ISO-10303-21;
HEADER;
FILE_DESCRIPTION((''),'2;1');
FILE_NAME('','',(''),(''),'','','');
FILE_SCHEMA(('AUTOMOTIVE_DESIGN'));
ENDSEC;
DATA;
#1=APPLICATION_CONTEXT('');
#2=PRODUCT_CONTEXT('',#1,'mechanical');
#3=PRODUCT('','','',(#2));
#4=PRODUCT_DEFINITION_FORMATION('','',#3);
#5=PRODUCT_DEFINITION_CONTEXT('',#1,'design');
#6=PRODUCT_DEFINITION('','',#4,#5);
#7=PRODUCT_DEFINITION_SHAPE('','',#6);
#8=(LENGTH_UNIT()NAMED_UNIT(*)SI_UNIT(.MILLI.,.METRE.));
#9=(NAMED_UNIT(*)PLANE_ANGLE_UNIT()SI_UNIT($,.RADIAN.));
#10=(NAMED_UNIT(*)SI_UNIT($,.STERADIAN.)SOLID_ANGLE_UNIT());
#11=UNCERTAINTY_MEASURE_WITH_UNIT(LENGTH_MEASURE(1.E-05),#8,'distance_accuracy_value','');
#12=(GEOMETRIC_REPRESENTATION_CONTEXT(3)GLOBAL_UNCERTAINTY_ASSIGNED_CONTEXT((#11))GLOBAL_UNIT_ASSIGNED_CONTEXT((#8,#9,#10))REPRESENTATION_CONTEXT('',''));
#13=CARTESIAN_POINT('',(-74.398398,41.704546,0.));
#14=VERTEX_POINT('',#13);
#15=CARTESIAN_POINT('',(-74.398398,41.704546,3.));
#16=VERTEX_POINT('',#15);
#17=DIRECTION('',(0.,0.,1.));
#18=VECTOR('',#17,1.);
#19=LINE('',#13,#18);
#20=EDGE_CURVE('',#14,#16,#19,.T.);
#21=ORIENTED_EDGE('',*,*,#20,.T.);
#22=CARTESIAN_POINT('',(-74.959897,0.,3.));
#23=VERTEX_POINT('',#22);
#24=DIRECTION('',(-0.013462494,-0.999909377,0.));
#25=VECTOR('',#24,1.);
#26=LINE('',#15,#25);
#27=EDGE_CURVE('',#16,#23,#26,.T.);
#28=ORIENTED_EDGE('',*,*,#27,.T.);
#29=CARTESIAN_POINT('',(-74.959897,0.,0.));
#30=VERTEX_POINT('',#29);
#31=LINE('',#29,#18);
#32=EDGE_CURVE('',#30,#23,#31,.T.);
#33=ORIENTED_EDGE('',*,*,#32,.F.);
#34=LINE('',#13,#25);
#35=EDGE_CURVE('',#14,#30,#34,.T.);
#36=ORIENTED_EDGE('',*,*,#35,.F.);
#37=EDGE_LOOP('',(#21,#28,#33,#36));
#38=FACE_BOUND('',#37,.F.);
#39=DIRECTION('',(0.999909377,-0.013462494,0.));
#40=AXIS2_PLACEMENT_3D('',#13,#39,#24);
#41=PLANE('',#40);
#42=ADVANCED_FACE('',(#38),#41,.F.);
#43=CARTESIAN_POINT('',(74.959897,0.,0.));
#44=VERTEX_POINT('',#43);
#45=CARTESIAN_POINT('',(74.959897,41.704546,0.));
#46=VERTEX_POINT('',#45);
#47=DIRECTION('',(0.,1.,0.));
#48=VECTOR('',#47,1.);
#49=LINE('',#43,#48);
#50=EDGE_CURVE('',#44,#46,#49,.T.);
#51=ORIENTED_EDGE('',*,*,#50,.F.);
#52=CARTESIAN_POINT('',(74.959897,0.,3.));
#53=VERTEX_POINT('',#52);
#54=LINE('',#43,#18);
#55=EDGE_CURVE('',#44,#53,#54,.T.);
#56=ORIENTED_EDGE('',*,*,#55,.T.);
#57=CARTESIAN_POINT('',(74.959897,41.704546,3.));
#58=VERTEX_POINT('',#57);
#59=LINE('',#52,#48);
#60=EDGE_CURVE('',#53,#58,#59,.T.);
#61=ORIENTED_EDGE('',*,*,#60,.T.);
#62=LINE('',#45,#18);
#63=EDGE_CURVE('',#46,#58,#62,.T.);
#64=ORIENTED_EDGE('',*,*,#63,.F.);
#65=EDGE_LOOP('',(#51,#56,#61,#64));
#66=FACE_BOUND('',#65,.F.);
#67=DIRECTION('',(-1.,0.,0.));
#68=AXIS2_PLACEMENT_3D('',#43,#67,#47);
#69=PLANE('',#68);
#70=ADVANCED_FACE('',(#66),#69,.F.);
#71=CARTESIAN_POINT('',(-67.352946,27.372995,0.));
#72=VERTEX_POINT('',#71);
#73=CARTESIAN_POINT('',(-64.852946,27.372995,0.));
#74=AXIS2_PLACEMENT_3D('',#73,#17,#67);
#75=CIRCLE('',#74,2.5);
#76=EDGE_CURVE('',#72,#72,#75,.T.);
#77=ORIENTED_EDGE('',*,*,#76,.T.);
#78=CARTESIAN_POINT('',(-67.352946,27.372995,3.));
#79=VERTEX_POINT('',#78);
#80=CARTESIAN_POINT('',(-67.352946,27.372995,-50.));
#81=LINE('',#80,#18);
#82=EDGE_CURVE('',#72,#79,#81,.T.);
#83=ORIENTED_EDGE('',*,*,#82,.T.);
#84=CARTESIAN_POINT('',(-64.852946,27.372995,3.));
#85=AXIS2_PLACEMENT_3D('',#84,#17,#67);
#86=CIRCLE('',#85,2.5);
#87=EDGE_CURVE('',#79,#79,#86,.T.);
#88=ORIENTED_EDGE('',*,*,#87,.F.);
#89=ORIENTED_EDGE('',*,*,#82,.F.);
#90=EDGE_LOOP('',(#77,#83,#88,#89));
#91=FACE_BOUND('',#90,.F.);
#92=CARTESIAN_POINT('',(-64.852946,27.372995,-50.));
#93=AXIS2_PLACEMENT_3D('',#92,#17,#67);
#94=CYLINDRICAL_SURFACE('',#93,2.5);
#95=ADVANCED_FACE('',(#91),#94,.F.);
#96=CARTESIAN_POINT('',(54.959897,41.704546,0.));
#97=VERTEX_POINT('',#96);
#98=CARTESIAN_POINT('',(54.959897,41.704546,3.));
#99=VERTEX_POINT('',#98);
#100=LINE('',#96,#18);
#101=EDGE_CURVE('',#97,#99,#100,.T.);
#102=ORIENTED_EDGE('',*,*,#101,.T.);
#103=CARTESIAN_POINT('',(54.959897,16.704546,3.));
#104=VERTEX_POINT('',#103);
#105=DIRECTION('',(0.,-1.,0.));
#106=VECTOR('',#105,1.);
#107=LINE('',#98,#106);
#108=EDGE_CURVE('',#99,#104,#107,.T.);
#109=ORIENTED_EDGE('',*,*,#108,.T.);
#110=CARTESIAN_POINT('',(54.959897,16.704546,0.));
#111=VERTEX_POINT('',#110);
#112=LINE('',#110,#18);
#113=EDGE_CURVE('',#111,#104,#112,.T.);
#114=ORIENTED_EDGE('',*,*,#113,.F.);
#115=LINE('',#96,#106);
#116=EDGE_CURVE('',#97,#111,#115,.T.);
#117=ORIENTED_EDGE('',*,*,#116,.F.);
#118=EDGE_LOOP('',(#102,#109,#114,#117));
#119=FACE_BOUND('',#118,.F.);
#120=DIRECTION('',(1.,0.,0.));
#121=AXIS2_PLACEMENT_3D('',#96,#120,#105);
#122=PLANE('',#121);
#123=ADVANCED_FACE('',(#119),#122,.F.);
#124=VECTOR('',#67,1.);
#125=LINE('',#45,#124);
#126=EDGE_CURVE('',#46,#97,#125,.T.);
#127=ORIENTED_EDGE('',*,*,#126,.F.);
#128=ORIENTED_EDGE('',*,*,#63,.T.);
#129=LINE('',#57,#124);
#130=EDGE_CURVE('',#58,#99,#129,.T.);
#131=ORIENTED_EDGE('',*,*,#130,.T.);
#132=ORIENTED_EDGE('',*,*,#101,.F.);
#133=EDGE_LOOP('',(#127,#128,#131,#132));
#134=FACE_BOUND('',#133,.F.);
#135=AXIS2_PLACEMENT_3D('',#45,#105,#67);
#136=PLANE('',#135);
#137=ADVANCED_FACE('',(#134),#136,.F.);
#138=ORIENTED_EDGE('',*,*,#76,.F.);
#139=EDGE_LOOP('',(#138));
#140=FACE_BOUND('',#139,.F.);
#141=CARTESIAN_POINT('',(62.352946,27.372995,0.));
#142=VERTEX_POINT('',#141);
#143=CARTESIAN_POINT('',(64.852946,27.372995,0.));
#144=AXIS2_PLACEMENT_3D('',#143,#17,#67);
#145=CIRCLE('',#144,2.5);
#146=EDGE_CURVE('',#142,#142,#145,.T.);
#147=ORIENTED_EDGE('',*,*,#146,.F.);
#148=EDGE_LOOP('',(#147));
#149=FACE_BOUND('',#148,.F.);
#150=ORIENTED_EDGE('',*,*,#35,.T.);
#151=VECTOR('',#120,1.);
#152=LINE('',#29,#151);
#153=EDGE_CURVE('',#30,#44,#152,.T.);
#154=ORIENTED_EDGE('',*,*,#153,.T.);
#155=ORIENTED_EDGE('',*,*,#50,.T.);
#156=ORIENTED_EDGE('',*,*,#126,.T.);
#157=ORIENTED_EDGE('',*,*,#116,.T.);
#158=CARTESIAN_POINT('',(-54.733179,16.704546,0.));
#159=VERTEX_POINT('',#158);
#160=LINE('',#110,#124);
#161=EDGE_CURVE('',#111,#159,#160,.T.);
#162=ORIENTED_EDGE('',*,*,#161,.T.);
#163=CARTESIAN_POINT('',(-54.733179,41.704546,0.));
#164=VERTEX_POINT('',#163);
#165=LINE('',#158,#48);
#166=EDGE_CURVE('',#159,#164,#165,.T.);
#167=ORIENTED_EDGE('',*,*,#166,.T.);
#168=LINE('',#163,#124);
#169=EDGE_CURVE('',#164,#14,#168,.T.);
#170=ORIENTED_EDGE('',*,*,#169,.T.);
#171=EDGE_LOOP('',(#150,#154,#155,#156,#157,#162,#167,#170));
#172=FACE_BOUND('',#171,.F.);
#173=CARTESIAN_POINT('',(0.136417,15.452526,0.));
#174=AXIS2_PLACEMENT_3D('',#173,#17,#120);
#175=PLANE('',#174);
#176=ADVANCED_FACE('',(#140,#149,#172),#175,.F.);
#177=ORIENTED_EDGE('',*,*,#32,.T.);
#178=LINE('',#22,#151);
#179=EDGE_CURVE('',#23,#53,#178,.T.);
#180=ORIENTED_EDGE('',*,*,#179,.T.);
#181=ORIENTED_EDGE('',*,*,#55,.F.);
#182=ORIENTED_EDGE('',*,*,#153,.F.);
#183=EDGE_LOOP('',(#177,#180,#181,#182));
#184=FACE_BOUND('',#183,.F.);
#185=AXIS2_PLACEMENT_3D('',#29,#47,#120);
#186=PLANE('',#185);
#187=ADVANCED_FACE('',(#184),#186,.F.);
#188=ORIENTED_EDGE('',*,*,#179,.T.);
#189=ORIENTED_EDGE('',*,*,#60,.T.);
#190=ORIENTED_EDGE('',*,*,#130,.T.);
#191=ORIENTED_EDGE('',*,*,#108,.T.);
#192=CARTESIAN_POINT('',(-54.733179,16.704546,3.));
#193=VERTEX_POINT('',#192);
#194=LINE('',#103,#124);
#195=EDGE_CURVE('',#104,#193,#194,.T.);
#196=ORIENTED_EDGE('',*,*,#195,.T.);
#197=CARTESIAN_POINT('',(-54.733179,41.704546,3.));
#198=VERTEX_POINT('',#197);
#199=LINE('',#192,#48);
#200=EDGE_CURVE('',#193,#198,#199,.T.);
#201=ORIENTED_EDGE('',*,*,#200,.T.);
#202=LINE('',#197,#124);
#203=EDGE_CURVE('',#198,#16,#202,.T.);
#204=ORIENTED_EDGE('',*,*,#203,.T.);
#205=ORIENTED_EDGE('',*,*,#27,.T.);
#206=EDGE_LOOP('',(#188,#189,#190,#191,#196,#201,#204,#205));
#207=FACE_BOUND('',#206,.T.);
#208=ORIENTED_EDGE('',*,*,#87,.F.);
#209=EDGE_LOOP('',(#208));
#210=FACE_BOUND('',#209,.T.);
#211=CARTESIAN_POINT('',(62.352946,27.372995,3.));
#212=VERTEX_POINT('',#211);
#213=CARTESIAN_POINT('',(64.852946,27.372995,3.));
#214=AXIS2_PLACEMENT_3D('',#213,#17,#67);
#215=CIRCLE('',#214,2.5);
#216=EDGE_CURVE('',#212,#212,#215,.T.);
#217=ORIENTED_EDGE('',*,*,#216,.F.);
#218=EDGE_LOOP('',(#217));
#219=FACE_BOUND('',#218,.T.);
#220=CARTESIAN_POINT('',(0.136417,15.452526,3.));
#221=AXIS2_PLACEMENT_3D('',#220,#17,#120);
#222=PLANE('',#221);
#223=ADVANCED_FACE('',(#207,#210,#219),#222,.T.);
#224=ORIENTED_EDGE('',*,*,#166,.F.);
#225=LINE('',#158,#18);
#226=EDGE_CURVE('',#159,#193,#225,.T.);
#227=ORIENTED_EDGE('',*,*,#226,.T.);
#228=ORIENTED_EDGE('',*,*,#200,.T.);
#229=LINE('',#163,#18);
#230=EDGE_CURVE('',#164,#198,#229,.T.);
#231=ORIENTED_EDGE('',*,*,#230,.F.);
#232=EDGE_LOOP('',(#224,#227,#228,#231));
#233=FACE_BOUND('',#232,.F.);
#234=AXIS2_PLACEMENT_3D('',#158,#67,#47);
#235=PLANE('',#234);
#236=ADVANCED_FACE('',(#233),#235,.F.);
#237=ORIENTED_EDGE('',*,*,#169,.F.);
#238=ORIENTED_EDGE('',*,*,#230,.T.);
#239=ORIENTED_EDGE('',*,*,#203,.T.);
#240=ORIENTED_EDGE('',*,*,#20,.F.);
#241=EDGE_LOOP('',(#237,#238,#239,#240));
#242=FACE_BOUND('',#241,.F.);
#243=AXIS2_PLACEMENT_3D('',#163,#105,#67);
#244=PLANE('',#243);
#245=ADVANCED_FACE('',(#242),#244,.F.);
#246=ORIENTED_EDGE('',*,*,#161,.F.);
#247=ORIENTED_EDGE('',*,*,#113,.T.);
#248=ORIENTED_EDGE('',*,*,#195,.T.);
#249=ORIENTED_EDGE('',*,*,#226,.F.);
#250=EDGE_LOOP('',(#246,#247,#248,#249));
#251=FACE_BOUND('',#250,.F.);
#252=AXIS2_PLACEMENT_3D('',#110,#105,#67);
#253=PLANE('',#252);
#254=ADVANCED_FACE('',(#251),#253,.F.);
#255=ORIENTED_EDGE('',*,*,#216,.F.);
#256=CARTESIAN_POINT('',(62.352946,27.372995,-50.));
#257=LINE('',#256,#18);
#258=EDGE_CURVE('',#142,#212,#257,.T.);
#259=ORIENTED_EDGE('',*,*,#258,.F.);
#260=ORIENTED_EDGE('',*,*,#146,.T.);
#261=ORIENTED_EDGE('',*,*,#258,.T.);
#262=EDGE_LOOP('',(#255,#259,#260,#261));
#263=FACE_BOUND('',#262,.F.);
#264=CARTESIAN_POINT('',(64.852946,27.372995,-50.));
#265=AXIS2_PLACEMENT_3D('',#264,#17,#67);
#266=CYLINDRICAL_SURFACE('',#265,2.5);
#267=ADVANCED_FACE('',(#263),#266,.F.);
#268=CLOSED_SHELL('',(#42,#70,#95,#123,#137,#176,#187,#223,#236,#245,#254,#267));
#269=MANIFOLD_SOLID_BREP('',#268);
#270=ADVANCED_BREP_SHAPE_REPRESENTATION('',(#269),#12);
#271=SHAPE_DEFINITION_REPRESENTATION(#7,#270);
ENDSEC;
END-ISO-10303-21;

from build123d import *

# Parameters (mm, degrees)
F1_DEPTH = 3
F2_D     = 5
F2_DEPTH = 50
F2_TIP   = 1.5021515476


with BuildPart() as f1:
    # F0 (on Top) → F1 (new body)
    with BuildSketch(Plane.XY):
        Polygon((-74.3983983994, 41.7045462877), (-74.9598965049, 0), (74.9598965049, 0), (74.9598965049, 41.7045462877), (54.9598965049, 41.7045462877), (54.9598965049, 16.7045462877), (-54.7331786285, 16.7045462877), (-54.7331786285, 41.7045462877), align=None)
    extrude(amount=F1_DEPTH)

    # F2
    with Locations(Plane(origin=(0, 0, 0), x_dir=(1, 0, 0), z_dir=(0, 0, -1))):
        with Locations((-64.8529455066, -27.3729953915), (64.8529455066, -27.3729953915)):
            Hole(F2_D / 2, depth=F2_DEPTH)
            with Locations((0, 0, -(F2_DEPTH + F2_TIP / 2))):  # 118° drill point
                Cone(0, F2_D / 2, F2_TIP, mode=Mode.SUBTRACT)


solid = f1.part
